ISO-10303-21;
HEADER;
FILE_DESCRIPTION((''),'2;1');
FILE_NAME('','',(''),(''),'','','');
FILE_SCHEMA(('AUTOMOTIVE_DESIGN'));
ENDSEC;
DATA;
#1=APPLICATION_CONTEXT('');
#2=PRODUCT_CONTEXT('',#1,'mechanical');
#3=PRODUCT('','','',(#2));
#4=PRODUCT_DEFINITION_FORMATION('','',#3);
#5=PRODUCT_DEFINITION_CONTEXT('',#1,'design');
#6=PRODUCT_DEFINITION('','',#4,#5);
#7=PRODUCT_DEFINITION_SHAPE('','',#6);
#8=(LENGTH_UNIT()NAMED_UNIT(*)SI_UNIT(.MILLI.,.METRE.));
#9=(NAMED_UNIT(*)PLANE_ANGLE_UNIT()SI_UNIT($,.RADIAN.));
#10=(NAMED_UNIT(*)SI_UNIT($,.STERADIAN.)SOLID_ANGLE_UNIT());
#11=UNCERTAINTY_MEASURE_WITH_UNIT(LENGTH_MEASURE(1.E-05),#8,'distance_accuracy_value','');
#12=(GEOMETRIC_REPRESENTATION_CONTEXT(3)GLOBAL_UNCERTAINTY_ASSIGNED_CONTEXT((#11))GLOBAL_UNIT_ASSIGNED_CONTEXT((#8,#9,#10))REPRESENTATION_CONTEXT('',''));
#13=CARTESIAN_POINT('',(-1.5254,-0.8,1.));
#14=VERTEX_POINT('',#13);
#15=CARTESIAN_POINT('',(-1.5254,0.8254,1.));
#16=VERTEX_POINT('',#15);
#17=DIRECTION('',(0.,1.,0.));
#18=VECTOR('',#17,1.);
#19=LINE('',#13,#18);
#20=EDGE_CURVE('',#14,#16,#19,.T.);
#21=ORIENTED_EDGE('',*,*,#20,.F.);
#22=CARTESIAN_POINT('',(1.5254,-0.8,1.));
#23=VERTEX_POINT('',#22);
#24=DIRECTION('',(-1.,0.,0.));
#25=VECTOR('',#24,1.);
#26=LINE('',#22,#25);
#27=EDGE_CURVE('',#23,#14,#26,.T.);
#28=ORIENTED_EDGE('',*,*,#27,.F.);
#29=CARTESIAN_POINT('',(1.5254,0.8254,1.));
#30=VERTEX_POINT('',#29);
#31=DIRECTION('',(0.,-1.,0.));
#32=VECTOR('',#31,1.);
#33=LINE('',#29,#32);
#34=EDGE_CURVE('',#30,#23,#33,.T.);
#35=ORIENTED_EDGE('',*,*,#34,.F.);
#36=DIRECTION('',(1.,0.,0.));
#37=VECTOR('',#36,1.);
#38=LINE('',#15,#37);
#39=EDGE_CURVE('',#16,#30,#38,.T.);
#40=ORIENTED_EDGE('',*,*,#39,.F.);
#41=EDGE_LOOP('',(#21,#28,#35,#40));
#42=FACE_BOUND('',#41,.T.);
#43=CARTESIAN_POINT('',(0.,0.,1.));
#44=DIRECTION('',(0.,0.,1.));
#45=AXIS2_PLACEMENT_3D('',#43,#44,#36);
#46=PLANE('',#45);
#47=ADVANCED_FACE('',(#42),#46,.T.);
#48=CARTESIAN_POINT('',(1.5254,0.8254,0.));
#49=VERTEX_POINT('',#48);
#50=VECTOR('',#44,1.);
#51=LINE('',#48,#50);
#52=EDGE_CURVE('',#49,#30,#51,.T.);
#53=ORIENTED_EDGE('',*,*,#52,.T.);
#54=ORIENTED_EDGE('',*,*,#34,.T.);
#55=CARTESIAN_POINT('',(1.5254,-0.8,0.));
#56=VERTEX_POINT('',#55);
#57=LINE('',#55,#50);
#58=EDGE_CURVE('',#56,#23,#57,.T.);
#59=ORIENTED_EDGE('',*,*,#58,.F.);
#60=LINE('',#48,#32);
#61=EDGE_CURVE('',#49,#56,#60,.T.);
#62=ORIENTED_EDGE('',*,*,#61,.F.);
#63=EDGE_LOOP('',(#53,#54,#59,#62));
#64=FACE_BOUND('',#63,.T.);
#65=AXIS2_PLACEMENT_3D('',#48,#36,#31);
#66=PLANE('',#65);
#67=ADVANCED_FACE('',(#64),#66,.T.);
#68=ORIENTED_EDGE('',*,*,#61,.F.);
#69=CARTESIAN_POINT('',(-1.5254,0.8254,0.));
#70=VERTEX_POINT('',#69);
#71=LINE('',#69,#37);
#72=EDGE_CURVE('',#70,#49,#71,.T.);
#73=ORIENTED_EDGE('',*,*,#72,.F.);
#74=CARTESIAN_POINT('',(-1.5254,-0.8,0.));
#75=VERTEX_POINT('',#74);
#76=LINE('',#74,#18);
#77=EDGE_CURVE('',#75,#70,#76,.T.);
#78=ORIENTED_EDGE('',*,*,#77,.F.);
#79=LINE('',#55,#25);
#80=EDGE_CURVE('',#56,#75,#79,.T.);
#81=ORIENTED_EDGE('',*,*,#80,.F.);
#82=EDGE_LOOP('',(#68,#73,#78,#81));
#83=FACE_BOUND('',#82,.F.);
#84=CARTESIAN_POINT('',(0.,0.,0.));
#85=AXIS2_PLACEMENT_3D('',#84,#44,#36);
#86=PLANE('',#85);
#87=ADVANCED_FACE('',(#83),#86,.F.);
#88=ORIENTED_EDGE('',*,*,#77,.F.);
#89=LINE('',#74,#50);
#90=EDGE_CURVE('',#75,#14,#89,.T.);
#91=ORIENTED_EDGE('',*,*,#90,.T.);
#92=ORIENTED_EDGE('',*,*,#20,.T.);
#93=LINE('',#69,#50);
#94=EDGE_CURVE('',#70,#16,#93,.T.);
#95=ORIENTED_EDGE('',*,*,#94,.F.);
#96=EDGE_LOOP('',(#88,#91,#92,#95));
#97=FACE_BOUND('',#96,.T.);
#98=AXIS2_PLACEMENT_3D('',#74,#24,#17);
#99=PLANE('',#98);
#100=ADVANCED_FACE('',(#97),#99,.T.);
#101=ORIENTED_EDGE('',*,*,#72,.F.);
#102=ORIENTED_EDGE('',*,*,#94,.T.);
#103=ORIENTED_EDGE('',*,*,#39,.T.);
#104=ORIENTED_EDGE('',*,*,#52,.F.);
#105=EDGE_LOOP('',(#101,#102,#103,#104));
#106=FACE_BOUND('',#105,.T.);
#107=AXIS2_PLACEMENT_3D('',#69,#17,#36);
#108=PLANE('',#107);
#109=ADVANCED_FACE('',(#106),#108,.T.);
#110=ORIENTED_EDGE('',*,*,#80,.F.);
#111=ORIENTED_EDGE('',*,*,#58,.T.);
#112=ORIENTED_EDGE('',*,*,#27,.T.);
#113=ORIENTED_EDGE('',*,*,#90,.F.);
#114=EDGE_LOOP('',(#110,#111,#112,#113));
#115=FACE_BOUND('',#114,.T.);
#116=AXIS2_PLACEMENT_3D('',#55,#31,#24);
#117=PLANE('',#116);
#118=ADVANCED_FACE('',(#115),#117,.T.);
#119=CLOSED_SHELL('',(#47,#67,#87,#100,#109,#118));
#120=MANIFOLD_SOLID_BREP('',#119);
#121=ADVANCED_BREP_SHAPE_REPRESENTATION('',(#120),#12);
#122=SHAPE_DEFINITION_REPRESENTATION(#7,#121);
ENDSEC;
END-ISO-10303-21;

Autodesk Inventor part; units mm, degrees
ref_plane "YZ Plane" through (0, 0, 0) normal (1, 0, 0) x (0, 1, 0)
ref_plane "XZ Plane" through (0, 0, 0) normal (0, 1, 0) x (-1, 0, 0)
ref_plane "XY Plane" through (0, 0, 0) normal (0, 0, 1) x (1, 0, 0)
sketch "0805, 0_33_F_13" plane through (0, 0, 0) normal (0, 0, 1) x (1, 0, 0)
  line L0 (-1.5254, 0.8254) -> (1.5254, 0.8254)
  line L1 (1.5254, 0.8254) -> (1.5254, -0.8)
  line L2 (1.5254, -0.8) -> (-1.5254, -0.8)
  line L3 (-1.5254, -0.8) -> (-1.5254, 0.8254)
extrude "Extrusion1" add sketch "0805, 0_33_F_13" along normal blind 1
properties part number "0_33_F"
